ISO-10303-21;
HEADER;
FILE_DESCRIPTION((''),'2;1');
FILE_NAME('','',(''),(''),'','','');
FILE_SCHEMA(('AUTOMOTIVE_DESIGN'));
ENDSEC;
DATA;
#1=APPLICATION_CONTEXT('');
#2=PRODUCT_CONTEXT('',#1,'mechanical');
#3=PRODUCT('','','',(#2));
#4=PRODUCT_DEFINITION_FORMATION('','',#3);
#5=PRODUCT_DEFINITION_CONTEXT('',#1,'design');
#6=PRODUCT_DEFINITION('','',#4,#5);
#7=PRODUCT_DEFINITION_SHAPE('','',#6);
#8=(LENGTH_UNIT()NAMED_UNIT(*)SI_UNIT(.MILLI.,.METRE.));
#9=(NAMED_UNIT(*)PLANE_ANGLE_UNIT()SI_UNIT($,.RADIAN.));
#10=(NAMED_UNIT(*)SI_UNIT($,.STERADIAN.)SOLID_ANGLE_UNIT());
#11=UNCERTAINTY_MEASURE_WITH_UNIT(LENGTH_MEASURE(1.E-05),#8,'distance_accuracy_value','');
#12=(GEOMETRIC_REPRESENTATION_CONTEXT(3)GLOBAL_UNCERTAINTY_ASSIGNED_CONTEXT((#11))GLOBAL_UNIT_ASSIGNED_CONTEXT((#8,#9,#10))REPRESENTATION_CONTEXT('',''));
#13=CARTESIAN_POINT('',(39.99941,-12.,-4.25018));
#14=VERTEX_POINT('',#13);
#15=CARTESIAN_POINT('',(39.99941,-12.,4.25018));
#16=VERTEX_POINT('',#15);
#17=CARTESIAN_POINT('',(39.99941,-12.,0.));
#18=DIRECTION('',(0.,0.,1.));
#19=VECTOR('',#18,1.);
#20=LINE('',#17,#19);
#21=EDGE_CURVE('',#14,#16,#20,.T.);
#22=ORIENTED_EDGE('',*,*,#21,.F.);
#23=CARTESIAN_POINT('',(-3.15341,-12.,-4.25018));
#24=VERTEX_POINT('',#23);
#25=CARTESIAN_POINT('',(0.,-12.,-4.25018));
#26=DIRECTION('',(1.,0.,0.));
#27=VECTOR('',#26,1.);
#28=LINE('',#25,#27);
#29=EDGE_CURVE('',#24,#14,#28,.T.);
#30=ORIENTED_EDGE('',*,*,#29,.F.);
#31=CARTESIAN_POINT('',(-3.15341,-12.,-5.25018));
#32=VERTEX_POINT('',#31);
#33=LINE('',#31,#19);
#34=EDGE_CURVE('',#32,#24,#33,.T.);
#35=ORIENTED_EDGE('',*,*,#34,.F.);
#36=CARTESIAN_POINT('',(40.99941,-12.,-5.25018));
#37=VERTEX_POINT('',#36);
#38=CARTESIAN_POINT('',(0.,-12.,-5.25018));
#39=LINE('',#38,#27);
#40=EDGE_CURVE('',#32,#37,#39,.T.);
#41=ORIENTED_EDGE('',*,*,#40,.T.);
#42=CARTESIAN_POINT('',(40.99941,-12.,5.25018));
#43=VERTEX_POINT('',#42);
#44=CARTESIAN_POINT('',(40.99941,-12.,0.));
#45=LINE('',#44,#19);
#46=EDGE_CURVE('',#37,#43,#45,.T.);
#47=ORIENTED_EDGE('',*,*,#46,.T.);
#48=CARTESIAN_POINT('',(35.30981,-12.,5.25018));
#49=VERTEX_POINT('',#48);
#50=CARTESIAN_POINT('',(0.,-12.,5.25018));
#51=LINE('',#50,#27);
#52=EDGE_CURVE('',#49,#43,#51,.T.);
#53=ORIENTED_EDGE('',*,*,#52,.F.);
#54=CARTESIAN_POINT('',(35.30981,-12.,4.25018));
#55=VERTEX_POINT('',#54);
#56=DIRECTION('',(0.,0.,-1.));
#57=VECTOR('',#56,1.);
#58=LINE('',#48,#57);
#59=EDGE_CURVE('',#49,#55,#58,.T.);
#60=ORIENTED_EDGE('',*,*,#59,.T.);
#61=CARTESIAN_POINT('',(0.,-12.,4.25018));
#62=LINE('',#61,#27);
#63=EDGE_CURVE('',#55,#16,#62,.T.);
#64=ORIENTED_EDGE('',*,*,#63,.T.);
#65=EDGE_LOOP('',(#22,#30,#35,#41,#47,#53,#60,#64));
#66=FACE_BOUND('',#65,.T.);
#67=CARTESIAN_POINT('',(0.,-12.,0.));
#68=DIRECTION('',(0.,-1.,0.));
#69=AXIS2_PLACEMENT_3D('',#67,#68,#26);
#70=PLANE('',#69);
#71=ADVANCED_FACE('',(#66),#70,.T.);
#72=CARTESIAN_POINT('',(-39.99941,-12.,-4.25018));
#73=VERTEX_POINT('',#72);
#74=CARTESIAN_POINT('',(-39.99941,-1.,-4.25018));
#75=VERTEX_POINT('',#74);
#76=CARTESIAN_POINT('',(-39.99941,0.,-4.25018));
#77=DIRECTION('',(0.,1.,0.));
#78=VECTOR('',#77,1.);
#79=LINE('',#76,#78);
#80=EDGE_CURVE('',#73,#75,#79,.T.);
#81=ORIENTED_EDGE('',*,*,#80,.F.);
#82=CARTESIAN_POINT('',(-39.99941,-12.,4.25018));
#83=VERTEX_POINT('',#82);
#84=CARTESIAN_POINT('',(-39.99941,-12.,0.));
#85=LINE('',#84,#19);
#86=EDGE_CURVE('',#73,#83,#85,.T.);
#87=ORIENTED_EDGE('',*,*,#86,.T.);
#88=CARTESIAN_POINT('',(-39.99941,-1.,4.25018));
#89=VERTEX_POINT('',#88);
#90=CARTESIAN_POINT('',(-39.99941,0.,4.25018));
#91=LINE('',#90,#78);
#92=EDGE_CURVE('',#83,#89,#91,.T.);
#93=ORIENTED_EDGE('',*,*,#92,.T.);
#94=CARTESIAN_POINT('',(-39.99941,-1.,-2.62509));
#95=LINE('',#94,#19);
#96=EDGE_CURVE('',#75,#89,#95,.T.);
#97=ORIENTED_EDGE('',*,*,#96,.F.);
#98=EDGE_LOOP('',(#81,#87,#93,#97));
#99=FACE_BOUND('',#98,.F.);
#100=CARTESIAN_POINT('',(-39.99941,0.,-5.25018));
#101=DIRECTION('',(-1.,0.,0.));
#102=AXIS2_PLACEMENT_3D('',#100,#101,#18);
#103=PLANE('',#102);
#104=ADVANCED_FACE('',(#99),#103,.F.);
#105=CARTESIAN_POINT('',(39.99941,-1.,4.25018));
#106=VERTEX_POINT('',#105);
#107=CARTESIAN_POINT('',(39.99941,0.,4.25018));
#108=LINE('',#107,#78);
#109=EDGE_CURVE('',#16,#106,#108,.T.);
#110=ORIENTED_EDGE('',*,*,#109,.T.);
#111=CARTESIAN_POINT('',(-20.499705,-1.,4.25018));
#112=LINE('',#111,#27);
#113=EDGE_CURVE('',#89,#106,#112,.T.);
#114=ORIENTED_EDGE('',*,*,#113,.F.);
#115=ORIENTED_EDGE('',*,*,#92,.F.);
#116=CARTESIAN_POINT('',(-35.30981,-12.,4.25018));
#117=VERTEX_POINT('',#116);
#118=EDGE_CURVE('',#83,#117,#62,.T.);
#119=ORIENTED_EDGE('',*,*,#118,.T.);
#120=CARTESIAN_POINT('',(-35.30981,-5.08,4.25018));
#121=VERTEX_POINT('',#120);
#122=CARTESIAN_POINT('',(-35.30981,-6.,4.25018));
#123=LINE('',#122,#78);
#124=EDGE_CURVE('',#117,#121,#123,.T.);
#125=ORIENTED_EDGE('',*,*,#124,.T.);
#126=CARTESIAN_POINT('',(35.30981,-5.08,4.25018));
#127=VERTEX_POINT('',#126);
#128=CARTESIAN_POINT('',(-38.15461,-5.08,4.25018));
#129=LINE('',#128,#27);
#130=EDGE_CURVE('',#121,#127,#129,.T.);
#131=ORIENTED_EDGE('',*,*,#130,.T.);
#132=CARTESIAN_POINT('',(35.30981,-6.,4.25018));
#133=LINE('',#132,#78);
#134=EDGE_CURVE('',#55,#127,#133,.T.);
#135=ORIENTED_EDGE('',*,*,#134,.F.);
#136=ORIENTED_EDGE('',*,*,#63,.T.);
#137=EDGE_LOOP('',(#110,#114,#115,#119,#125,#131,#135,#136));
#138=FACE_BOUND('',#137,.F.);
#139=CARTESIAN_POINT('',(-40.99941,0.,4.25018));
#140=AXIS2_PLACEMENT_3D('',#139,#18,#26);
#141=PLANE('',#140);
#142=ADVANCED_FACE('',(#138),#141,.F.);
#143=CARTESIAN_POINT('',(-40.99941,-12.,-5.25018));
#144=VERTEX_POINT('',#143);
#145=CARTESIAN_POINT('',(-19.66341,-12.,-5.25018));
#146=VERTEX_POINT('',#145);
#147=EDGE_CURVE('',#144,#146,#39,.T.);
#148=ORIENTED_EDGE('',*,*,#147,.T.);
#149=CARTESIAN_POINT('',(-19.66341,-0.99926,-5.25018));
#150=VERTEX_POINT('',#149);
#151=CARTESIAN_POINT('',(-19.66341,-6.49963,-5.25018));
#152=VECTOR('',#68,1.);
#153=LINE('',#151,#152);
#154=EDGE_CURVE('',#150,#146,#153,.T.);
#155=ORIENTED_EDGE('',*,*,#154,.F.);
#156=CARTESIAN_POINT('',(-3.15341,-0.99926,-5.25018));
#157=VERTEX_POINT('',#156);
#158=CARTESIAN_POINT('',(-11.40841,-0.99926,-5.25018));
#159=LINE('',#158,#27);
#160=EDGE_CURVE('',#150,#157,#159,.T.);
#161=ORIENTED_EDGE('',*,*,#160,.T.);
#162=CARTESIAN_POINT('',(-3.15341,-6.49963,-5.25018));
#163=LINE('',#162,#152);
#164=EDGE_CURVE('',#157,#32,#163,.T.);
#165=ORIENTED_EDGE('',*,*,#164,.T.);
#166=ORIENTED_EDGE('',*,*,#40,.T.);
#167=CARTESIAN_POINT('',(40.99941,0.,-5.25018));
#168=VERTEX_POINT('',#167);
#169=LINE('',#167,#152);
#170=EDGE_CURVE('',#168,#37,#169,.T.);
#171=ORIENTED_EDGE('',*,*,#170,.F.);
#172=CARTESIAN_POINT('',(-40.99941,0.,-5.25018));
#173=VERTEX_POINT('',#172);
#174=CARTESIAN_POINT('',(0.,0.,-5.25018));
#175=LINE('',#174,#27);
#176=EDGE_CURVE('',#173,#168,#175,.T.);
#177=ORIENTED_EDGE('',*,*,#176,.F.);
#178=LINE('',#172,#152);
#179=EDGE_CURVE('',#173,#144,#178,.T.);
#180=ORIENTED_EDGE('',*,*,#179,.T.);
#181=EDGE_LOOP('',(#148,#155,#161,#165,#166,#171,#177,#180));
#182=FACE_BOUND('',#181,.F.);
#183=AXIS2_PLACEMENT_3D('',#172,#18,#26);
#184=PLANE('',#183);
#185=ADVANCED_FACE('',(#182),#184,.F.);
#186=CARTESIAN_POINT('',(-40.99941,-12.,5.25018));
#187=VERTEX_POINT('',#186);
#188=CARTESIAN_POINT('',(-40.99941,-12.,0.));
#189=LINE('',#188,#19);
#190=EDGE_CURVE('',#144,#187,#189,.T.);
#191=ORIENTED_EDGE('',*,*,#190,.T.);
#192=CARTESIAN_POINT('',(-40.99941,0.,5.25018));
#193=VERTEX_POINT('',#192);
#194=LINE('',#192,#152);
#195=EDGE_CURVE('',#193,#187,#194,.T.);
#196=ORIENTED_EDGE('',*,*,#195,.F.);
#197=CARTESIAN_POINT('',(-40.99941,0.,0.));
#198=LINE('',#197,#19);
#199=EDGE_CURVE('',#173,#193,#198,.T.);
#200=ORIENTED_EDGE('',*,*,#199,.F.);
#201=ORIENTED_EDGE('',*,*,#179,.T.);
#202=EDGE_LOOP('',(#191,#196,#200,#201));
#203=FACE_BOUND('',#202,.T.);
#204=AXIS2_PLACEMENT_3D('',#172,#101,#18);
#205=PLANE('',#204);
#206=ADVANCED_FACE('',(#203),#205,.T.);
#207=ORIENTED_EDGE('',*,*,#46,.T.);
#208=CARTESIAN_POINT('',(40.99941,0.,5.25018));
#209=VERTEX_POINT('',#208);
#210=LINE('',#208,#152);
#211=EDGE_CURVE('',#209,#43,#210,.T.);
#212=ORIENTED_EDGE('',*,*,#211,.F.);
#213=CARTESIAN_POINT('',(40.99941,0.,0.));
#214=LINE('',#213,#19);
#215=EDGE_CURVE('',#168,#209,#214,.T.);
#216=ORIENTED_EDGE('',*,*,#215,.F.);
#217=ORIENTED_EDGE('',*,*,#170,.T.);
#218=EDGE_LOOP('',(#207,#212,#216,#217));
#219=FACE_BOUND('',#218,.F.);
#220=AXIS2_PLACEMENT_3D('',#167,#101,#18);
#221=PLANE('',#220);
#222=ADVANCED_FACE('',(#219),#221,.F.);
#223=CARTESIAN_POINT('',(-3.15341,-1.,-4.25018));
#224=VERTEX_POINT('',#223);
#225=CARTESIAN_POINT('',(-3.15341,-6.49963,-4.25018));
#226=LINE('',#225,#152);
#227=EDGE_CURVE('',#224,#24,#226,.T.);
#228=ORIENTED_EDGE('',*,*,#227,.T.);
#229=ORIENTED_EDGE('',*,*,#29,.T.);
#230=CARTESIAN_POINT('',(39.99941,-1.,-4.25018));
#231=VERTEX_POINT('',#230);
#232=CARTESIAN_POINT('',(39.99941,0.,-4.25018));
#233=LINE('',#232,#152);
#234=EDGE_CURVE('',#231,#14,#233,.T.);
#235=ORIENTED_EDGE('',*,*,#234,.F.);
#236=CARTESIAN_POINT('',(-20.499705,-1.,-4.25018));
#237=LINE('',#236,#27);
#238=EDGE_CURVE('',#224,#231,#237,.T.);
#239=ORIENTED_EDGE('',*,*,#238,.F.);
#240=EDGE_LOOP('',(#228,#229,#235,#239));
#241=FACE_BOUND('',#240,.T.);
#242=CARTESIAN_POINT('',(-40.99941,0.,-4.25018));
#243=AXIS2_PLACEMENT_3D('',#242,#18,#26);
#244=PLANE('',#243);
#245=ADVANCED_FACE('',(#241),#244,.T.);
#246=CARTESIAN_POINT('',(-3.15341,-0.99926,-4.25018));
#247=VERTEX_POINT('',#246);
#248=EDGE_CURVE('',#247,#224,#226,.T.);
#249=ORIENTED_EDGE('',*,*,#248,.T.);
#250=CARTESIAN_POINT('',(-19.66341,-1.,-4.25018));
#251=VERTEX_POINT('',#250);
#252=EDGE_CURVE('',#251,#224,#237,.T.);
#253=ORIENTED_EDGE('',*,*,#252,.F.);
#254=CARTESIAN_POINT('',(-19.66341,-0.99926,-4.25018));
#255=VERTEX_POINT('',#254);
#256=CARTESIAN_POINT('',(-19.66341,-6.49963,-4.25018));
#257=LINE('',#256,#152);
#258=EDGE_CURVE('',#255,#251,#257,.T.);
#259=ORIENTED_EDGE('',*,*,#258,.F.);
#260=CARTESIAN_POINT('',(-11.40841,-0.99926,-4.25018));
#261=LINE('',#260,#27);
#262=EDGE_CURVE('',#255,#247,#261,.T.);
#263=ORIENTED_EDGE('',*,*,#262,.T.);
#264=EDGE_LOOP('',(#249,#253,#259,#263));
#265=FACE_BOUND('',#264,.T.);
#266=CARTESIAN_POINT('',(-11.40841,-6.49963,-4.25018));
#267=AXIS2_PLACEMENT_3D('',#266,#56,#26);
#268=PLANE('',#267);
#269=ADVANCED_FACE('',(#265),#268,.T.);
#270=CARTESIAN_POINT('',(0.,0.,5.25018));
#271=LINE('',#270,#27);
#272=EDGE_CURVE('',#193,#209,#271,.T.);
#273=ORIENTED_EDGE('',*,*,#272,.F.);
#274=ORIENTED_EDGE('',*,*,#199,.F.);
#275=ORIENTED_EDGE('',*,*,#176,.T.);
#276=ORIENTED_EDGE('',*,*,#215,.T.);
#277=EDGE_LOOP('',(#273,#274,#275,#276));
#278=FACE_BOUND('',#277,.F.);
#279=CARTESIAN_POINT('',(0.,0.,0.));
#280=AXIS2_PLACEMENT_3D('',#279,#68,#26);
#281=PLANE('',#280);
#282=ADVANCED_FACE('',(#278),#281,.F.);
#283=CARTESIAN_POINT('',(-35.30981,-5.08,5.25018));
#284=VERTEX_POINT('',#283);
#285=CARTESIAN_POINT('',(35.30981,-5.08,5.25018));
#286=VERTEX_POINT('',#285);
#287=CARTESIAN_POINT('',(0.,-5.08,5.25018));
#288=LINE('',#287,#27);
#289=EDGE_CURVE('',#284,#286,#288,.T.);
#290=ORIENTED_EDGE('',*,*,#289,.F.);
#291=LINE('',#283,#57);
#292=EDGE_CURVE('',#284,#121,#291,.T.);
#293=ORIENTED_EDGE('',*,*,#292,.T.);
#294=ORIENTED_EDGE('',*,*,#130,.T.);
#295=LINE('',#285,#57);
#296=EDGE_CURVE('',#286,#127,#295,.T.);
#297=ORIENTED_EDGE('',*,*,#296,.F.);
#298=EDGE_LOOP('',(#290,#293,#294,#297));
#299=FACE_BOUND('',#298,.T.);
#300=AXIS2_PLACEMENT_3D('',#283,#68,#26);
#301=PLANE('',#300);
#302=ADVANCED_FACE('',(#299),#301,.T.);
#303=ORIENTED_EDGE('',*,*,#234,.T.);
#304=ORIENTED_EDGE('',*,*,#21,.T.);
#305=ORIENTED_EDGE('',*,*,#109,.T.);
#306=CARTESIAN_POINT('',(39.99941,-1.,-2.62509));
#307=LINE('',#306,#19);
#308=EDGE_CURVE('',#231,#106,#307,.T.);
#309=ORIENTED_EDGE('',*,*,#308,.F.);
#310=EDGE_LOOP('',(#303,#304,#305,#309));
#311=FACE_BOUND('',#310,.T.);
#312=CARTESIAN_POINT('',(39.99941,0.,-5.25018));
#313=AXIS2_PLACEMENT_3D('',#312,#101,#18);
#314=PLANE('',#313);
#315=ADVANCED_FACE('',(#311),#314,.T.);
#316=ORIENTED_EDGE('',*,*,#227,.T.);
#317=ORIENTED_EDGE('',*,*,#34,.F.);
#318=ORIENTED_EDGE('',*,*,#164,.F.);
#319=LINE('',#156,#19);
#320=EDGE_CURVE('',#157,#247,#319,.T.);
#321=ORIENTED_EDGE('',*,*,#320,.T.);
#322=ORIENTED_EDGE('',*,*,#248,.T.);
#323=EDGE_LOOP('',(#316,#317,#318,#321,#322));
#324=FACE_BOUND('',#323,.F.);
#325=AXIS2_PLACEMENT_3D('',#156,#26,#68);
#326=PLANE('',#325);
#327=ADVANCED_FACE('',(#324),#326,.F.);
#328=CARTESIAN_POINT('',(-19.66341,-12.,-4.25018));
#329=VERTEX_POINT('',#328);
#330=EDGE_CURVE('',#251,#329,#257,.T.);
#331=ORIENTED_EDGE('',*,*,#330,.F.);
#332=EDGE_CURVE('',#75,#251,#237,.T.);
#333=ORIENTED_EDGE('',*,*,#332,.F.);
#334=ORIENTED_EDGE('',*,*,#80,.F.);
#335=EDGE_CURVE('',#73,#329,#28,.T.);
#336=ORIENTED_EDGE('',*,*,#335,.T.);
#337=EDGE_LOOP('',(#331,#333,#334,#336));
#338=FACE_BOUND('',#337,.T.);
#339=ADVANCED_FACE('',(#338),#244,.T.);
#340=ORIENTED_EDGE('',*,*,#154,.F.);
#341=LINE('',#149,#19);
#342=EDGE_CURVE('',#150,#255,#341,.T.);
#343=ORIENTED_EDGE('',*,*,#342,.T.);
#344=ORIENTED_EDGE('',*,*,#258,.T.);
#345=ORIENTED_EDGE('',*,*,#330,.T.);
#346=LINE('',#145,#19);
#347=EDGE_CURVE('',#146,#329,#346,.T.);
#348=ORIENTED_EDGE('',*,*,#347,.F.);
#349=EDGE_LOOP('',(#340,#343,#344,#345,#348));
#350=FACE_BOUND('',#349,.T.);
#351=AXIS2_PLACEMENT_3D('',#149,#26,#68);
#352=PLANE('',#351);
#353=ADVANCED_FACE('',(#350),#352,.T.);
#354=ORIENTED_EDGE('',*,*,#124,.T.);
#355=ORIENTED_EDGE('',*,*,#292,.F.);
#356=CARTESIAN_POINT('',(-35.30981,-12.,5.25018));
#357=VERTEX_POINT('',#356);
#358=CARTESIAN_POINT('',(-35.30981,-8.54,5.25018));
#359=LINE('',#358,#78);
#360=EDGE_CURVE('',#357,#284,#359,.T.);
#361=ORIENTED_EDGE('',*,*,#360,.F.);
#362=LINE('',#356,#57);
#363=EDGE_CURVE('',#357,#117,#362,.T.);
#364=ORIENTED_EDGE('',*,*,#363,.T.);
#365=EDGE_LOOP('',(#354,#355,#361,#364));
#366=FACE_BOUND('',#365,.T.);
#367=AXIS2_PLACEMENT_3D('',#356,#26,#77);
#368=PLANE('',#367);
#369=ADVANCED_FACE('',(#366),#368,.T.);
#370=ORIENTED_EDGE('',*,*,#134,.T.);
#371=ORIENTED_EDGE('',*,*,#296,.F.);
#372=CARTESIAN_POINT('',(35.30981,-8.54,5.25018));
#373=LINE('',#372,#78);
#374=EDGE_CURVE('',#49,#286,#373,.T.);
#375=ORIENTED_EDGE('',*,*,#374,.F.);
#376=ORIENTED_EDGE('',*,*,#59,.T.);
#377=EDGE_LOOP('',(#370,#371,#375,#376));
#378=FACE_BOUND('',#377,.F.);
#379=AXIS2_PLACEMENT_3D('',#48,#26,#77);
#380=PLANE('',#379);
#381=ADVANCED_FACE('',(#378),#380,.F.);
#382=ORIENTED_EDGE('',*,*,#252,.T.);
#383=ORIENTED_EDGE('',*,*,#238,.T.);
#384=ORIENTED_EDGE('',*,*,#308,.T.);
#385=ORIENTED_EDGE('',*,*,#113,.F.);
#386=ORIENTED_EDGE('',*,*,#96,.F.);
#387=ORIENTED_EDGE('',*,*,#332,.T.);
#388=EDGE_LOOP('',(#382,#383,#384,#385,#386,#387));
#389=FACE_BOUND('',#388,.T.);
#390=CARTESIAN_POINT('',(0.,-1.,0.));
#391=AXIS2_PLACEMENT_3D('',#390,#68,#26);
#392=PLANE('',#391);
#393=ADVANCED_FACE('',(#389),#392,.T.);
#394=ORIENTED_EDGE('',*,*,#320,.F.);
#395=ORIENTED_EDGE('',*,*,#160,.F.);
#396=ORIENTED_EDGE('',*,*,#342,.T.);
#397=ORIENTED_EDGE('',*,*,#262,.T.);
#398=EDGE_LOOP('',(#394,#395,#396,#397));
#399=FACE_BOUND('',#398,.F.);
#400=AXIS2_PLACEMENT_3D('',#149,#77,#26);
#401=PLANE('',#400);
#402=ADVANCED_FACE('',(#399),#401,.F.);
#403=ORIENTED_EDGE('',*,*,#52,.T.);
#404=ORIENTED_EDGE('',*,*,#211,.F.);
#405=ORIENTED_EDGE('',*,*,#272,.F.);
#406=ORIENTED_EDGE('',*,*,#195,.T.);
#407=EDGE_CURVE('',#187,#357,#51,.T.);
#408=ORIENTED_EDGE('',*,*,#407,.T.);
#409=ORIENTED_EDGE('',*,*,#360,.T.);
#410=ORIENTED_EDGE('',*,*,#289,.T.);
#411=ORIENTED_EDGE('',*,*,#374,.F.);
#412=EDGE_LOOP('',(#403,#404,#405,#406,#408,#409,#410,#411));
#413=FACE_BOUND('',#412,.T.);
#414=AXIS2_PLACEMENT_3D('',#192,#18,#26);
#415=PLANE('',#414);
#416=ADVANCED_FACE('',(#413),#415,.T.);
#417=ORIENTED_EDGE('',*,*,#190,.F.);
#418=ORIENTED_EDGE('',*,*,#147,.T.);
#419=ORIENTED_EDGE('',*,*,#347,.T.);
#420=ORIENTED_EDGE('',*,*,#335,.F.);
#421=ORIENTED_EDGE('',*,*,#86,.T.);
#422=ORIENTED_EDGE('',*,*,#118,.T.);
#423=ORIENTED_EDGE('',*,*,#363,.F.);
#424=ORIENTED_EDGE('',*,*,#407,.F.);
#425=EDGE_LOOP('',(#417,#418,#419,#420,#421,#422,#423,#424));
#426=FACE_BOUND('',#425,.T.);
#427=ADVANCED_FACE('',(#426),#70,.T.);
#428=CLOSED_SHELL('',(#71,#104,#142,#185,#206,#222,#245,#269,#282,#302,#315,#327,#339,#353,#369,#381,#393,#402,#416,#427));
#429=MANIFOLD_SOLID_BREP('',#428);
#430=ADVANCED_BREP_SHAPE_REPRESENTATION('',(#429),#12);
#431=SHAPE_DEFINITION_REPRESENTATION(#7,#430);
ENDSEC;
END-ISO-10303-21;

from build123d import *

# Parameters (mm, degrees)
F0_W     = 81.99882
F0_H     = 10.50036
F1_DEPTH = 12
F2_T     = -1
F3_W     = 16.51
F3_H     = 11.00074
F4_DEPTH = 1
F5_W     = 70.61962
F5_H     = 6.92
F6_DEPTH = 2.54


with BuildPart() as f1:
    # F0 (on Front) → F1 (new body)
    with BuildSketch(Plane.XZ):
        Rectangle(F0_W, F0_H)
    extrude(amount=F1_DEPTH)

    # F2
    f2_openings = [f1.faces().sort_by_distance(p)[0] for p in [
        (0, -12, 0),
    ]]
    offset(amount=F2_T, openings=f2_openings)

    # F3 (on face) → F4 (cut)
    with BuildSketch(Plane(origin=(0, 0, -5.25018), x_dir=(1, 0, 0), z_dir=(0, 0, -1))):
        with Locations((-11.40841, 6.49963)):
            Rectangle(F3_W, F3_H)
    extrude(amount=-F4_DEPTH, mode=Mode.SUBTRACT)

    # F5 (on face) → F6 (cut)
    with BuildSketch(Plane.XY.offset(5.25018)):
        with Locations((0, -8.54)):
            Rectangle(F5_W, F5_H)
    extrude(amount=-F6_DEPTH, mode=Mode.SUBTRACT)


solid = f1.part
